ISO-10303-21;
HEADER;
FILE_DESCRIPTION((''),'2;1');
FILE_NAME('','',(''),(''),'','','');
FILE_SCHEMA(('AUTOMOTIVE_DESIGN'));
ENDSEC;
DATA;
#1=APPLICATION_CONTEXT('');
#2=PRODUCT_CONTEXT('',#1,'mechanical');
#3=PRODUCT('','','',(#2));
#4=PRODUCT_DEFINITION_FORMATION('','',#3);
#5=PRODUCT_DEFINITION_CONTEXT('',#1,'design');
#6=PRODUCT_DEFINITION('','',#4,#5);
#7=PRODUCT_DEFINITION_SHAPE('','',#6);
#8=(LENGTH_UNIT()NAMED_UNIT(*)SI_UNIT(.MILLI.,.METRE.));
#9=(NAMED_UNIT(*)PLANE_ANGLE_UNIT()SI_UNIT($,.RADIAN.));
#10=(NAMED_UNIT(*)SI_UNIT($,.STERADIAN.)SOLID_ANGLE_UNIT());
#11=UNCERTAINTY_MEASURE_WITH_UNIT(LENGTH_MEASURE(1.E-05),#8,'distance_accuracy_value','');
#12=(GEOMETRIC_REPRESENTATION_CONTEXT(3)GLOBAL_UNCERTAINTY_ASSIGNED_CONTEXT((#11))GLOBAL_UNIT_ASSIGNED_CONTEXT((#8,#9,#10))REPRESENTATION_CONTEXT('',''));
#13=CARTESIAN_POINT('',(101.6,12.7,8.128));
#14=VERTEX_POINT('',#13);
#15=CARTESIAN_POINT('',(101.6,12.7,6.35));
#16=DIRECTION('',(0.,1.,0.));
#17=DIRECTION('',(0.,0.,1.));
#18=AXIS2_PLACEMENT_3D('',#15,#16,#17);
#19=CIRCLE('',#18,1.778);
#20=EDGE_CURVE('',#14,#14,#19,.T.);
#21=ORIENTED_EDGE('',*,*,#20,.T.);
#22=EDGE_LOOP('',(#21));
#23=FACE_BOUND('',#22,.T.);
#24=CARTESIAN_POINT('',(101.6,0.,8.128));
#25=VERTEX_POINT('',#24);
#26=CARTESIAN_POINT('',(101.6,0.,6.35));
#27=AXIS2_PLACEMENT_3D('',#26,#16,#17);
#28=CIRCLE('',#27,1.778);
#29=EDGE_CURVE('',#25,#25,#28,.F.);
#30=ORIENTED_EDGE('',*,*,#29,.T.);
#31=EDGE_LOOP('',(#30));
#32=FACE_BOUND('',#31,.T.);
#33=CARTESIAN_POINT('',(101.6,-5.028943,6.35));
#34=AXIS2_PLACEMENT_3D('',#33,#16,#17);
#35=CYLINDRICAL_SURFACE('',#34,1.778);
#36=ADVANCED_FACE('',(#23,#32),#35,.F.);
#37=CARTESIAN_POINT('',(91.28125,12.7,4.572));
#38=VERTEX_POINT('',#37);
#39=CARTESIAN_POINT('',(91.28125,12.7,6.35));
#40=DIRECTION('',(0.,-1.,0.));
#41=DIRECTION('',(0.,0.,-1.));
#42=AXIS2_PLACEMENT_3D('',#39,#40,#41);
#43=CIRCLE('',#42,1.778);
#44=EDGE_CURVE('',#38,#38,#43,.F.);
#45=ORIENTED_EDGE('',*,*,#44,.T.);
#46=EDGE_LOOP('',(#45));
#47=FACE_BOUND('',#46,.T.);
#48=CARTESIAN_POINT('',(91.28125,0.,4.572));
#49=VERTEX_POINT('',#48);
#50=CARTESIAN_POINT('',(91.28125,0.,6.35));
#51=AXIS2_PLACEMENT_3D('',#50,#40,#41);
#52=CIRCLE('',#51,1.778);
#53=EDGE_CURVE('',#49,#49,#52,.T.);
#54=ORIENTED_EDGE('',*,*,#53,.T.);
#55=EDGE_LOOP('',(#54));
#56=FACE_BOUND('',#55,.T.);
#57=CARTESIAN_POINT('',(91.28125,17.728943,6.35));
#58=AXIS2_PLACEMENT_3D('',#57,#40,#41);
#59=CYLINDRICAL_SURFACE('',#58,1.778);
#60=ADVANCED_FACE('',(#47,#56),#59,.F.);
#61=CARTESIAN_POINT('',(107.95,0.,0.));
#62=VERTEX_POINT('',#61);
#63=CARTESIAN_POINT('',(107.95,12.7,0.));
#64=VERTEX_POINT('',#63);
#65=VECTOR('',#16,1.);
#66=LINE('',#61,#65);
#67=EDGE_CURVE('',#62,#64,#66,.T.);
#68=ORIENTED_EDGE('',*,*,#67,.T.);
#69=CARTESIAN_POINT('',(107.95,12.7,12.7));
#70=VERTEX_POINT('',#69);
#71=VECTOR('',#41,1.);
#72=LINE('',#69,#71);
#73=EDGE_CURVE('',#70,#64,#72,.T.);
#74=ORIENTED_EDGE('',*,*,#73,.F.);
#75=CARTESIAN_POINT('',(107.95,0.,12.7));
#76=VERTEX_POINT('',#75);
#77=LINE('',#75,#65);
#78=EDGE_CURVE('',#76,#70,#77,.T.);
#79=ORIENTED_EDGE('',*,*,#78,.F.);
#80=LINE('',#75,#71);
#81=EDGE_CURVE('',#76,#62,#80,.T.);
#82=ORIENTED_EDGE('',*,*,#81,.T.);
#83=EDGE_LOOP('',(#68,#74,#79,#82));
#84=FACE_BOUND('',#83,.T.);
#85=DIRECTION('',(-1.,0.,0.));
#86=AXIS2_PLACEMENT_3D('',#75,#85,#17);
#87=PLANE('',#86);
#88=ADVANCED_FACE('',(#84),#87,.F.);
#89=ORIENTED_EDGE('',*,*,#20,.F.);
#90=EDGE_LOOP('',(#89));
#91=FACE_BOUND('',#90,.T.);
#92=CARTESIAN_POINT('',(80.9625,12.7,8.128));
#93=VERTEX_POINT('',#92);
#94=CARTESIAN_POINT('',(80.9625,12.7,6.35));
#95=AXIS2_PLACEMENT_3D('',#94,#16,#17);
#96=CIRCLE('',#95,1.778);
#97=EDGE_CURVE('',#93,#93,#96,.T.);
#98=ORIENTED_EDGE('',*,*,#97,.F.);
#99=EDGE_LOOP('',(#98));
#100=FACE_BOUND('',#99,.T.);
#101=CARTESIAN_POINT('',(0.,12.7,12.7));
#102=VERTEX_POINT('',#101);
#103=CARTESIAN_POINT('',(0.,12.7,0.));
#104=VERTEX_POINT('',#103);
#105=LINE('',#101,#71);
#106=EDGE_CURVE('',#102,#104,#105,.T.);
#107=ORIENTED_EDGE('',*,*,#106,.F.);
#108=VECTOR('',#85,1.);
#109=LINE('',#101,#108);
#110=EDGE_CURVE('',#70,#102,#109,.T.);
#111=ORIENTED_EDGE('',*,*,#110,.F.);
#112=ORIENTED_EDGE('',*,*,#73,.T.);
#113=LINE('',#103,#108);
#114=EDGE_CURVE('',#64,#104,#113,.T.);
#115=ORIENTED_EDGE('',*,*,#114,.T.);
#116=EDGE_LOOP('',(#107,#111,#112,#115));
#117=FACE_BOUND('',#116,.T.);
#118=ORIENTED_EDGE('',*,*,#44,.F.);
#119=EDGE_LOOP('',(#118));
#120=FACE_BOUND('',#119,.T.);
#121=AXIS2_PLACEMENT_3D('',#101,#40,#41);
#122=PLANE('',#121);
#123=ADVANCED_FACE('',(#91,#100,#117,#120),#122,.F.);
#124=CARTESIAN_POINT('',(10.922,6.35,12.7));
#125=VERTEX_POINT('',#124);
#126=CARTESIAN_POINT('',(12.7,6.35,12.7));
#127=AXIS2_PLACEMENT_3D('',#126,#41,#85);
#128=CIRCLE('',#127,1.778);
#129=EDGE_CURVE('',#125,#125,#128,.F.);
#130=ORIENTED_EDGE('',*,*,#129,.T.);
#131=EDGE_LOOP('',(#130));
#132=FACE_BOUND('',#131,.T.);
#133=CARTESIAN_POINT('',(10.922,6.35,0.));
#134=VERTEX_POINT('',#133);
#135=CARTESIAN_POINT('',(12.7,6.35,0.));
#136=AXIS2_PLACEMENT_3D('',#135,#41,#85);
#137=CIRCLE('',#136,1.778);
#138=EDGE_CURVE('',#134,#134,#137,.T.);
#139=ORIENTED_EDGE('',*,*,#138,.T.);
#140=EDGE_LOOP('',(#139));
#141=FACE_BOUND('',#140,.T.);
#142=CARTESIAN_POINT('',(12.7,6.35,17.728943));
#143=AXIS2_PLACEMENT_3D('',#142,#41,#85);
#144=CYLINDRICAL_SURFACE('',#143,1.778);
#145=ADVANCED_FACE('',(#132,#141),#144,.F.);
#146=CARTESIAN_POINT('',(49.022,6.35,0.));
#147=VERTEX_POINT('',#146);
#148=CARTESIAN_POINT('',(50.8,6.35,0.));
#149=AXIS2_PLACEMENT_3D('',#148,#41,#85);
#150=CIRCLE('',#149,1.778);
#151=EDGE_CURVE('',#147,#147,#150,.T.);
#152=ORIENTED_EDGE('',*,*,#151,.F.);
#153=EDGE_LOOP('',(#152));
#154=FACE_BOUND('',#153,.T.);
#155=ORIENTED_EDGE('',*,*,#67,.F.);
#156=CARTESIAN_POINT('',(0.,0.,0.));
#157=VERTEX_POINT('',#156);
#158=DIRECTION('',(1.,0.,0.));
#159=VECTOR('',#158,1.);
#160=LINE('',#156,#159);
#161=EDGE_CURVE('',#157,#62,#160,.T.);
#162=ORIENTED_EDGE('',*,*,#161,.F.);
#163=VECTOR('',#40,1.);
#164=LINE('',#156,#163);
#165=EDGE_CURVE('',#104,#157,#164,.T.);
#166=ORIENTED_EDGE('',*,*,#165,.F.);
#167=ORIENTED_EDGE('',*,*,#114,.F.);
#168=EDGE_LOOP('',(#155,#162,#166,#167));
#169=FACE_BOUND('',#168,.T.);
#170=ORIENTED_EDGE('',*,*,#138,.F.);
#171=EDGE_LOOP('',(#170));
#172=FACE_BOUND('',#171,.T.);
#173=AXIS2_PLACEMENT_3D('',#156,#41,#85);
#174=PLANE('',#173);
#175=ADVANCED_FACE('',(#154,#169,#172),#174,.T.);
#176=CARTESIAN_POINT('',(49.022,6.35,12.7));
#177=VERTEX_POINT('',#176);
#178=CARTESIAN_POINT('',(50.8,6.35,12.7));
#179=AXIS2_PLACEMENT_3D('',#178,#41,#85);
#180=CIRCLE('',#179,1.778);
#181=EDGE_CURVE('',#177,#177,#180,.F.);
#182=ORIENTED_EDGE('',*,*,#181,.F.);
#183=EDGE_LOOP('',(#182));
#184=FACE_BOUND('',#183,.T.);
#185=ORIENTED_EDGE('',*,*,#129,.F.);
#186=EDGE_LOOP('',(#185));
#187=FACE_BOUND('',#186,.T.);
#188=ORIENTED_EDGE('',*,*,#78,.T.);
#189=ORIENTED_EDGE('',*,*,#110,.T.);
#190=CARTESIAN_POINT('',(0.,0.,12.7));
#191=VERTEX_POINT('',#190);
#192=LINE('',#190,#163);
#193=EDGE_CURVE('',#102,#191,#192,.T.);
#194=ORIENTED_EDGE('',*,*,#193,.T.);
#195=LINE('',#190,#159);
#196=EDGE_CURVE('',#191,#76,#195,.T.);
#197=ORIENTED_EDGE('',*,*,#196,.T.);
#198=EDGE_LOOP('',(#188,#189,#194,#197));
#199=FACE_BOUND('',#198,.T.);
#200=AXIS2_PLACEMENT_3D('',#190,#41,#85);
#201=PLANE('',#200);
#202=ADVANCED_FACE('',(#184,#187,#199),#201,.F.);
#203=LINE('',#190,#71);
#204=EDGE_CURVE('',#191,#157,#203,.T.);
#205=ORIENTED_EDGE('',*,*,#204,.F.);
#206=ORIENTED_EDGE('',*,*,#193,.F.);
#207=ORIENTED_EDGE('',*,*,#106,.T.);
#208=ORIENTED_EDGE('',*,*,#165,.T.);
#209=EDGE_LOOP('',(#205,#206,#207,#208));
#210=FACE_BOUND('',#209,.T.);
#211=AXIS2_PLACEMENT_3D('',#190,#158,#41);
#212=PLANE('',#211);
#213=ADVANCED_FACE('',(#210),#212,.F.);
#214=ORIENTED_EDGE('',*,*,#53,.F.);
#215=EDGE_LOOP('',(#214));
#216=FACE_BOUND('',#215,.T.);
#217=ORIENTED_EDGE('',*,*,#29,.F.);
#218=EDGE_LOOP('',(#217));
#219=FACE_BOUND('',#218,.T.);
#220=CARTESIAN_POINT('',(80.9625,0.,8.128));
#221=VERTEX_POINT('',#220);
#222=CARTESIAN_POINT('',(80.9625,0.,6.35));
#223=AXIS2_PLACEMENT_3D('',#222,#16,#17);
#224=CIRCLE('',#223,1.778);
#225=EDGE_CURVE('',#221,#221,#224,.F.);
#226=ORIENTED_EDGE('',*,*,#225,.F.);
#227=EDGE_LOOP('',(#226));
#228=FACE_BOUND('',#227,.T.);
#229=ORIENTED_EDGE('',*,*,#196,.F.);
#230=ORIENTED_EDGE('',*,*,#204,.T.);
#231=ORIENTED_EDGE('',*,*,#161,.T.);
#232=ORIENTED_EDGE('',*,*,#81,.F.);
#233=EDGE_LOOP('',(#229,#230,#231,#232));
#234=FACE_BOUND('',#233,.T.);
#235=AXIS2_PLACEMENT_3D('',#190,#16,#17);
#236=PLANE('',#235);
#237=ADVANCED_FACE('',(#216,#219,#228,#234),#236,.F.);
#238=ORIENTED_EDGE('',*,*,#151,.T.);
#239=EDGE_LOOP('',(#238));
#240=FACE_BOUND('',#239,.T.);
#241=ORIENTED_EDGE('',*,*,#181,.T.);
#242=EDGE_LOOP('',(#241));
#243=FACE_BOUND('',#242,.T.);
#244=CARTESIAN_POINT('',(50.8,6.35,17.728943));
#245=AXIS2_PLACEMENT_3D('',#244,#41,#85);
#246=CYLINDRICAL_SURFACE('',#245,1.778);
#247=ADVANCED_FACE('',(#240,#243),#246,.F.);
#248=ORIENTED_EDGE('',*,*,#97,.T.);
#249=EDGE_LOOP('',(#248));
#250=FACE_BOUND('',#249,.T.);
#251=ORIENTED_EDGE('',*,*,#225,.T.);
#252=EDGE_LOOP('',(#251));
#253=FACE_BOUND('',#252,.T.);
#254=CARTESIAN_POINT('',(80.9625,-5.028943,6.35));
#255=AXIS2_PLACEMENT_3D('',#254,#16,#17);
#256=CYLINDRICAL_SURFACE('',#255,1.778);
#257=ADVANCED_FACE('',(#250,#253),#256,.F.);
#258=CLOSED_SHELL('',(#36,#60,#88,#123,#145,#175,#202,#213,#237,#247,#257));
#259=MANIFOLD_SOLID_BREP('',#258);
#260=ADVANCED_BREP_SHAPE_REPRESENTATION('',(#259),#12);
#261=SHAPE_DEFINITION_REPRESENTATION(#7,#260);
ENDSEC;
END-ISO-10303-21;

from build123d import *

# Parameters (mm, degrees)
SKETCH1_W           = 107.95
SKETCH1_H           = 12.7
BOSS_EXTRUDE1_DEPTH = 12.7
SKETCH2_R           = 1.778
CUT_EXTRUDE1_DEPTH  = 12.7
SKETCH3_R           = 1.778
CUT_EXTRUDE2_DEPTH  = 12.7
SKETCH4_R           = 1.778
CUT_EXTRUDE3_DEPTH  = 12.7


with BuildPart() as part:
    # Sketch1 → Boss-Extrude1 (new body)
    with BuildSketch(Plane.XY):
        with Locations((53.975, 6.35)):
            Rectangle(SKETCH1_W, SKETCH1_H)
    extrude(amount=BOSS_EXTRUDE1_DEPTH)

    # Sketch2 → Cut-Extrude1 (cut)
    with BuildSketch(Plane(origin=(0, 12.7, 0), x_dir=(1, 0, 0), z_dir=(0, 1, 0))):
        with Locations((101.6, -6.35)):
            Circle(SKETCH2_R)
        with Locations((80.9625, -6.35)):
            Circle(SKETCH2_R)
    extrude(amount=-CUT_EXTRUDE1_DEPTH, mode=Mode.SUBTRACT)

    # Sketch3 → Cut-Extrude2 (cut)
    with BuildSketch(Plane.XZ):
        with Locations((91.28125, 6.35)):
            Circle(SKETCH3_R)
    extrude(amount=-CUT_EXTRUDE2_DEPTH, mode=Mode.SUBTRACT)

    # Sketch4 → Cut-Extrude3 (cut)
    with BuildSketch(Plane(origin=(0, 0, 0), x_dir=(-1, 0, 0), z_dir=(0, 0, -1))):
        with Locations((-12.7, 6.35)):
            Circle(SKETCH4_R)
        with Locations((-50.8, 6.35)):
            Circle(SKETCH4_R)
    extrude(amount=-CUT_EXTRUDE3_DEPTH, mode=Mode.SUBTRACT)


solid = part.part
